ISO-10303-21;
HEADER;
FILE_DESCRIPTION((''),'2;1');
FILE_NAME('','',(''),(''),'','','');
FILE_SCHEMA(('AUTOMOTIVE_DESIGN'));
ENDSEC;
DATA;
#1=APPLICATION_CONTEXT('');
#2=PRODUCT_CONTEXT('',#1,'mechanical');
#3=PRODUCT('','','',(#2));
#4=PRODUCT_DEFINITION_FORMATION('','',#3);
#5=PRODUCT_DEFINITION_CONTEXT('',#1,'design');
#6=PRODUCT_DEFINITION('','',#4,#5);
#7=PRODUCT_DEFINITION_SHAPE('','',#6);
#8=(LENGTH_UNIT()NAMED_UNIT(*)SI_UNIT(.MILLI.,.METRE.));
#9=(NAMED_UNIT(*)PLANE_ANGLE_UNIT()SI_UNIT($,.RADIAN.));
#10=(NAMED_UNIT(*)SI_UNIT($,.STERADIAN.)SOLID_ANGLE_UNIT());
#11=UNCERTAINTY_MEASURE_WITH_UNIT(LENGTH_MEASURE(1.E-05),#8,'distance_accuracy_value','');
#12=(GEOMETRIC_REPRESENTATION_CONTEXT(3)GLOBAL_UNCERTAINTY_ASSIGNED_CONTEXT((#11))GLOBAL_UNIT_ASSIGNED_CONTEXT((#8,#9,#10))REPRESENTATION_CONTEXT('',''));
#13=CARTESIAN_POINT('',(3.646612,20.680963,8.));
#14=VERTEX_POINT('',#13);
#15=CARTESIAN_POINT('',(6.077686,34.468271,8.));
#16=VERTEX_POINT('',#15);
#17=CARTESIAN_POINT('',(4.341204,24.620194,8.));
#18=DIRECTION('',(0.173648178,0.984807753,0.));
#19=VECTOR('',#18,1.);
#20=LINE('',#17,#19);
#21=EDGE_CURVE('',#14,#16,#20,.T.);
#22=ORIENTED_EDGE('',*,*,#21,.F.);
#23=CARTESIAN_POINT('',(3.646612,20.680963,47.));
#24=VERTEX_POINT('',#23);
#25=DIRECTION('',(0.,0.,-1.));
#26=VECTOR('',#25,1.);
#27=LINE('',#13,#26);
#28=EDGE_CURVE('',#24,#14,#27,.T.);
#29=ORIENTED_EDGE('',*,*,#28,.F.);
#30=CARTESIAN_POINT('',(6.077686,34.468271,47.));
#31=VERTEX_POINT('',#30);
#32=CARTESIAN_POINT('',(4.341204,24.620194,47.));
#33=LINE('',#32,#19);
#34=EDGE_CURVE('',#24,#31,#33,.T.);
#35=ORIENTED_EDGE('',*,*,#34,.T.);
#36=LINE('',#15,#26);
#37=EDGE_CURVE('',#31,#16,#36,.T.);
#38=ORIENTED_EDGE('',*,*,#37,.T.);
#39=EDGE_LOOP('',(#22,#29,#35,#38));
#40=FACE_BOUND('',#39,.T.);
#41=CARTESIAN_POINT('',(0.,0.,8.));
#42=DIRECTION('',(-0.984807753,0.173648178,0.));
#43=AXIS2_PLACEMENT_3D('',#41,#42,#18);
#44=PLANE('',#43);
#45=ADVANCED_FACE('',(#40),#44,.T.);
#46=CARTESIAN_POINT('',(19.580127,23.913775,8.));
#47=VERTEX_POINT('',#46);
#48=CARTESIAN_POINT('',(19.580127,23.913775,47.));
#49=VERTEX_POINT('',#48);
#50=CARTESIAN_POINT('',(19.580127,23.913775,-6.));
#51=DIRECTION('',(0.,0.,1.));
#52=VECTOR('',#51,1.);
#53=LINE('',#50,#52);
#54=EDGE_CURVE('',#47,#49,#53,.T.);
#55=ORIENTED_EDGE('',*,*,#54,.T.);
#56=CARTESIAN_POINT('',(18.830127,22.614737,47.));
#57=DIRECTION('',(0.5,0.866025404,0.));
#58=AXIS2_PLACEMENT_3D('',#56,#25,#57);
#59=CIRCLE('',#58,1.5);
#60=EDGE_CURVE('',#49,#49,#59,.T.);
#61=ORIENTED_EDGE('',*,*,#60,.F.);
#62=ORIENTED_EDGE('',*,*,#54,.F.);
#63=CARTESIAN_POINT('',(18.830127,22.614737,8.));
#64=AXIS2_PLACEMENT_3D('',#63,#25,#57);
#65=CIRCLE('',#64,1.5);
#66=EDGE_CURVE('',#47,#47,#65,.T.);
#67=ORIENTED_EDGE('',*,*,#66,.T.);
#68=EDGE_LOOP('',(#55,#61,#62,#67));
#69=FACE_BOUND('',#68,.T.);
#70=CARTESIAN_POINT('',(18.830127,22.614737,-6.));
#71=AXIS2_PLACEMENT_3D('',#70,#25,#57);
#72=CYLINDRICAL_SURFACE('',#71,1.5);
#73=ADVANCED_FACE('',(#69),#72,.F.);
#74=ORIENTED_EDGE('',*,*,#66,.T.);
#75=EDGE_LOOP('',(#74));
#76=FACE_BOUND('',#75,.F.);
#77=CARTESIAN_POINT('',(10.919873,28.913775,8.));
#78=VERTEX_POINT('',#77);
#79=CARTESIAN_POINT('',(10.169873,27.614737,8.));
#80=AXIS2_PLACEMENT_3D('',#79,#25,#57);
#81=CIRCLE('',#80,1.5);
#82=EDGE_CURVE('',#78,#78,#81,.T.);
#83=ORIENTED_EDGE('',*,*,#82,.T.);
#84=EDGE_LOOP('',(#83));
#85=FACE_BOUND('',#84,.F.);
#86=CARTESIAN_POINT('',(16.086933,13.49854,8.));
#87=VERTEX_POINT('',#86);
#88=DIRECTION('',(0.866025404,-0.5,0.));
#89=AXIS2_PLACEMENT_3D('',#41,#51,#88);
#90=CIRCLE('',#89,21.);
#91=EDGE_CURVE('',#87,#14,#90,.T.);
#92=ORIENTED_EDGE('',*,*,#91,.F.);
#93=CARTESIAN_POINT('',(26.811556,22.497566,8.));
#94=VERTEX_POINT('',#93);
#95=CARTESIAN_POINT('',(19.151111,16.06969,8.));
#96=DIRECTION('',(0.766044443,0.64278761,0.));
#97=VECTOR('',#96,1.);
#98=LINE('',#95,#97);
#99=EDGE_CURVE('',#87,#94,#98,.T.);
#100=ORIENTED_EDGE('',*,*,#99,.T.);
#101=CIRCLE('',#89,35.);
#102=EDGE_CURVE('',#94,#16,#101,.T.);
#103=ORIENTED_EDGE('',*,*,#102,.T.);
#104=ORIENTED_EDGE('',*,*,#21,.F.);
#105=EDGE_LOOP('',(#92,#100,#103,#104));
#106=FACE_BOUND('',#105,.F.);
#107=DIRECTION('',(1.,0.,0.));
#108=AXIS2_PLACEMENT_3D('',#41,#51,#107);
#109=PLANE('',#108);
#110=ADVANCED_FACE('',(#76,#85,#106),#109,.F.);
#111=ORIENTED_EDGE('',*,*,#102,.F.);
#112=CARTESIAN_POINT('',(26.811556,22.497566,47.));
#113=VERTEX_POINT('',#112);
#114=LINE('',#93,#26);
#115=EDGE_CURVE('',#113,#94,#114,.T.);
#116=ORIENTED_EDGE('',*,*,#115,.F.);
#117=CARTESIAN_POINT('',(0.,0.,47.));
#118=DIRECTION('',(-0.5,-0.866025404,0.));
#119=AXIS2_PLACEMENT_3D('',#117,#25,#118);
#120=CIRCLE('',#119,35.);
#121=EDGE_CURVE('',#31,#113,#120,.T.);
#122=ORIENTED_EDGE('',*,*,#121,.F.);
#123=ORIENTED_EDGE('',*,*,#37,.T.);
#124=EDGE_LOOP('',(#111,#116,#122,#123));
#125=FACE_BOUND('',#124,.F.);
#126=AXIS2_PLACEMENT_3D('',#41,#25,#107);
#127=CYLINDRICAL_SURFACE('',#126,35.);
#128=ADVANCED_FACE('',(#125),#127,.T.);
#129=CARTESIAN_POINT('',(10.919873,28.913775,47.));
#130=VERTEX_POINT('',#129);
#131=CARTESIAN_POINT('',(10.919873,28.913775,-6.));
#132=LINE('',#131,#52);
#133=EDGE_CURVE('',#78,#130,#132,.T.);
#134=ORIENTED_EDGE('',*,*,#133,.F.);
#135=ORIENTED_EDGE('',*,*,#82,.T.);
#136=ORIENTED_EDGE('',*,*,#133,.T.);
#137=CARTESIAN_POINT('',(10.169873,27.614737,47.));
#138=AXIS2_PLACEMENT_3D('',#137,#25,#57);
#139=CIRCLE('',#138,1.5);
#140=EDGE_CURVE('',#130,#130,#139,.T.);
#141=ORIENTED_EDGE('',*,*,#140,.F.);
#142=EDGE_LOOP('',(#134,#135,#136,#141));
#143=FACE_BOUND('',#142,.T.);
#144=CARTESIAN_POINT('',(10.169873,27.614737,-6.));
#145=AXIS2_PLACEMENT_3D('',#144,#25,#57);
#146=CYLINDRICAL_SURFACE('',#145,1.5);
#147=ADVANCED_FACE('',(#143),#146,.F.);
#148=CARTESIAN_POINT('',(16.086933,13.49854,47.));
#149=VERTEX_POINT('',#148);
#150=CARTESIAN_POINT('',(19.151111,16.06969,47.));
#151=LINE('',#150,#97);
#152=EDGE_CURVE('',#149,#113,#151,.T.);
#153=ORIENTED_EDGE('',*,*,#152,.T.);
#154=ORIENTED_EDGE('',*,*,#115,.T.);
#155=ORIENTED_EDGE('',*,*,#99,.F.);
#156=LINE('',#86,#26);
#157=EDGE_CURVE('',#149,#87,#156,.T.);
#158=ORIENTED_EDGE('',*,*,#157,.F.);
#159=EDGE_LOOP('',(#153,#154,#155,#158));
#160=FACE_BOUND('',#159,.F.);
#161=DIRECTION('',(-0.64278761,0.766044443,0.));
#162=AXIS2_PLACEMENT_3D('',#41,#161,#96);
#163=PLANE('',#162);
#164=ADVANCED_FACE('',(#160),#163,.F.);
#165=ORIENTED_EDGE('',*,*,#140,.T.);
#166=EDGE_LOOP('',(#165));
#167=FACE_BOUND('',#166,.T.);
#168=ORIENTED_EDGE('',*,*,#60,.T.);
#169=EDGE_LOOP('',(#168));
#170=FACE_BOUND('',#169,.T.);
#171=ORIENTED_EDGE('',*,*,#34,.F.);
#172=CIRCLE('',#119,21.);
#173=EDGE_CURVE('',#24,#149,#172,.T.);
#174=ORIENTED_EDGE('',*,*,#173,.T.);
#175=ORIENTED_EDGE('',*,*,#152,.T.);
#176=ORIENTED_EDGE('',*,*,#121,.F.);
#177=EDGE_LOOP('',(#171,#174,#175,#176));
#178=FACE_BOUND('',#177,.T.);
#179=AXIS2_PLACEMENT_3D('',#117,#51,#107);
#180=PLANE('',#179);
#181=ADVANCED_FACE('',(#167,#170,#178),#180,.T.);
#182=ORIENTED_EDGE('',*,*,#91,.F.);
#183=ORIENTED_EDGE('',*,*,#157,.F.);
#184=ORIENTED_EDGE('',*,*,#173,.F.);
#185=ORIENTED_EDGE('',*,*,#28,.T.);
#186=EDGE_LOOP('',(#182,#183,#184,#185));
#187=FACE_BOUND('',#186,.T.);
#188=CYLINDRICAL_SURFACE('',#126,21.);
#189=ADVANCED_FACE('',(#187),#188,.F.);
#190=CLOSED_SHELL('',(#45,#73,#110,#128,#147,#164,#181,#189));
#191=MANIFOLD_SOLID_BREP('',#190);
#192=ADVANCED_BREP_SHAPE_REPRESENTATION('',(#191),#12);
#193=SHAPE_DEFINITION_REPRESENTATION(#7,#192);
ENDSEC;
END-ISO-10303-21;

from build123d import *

# Parameters (mm, degrees)
CYLINDER222_R               = 1.5
CYLINDER222_DEPTH           = 60
CYLINDER221_R               = 1.5
CYLINDER221_DEPTH           = 60
COMPOUND199_PLACEMENT_ANGLE = 60
BOX092_W                    = 50
BOX092_H                    = 50
BOX092_DEPTH                = 39
BOX092_PLACEMENT_ANGLE      = 80
BOX093_W                    = 50
BOX093_H                    = 50
BOX093_DEPTH                = 39
BOX093_PLACEMENT_ANGLE      = 50
BOX095_W                    = 50
BOX095_H                    = 100
BOX095_DEPTH                = 39
BOX095_PLACEMENT_ANGLE      = 150
BOX094_W                    = 50
BOX094_H                    = 100
BOX094_DEPTH                = 39
BOX094_PLACEMENT_ANGLE      = 240
TUBE017_R                   = 35
TUBE017_R_2                 = 21
TUBE017_DEPTH               = 39


with BuildPart() as v_lec222:
    # Cylinder222 → Cylinder222 (new body)
    with BuildSketch(Plane(origin=(29, -5, -6), x_dir=(1, 0, 0), z_dir=(0, 0, 1))):
        Circle(CYLINDER222_R)
    extrude(amount=CYLINDER222_DEPTH)


with BuildPart() as compound199:
    # Cylinder221 → Cylinder221 (new body)
    with BuildSketch(Plane(origin=(29, 5, -6), x_dir=(1, 0, 0), z_dir=(0, 0, 1))):
        Circle(CYLINDER221_R)
    extrude(amount=CYLINDER221_DEPTH)

    # Compound199: union Válec222
    add(v_lec222.part)


with BuildPart() as compound199_1:
    # Compound199 placement: moved
    add(compound199.part.rotate(Axis((0, 0, 0), (0, 0, 1)), COMPOUND199_PLACEMENT_ANGLE))


with BuildPart() as krychle092:
    # Box092 → Box092 (new body)
    with BuildSketch(Plane.XY):
        with Locations((25, 25)):
            Rectangle(BOX092_W, BOX092_H)
    extrude(amount=BOX092_DEPTH)


with BuildPart() as krychle092_1:
    # Box092 placement: moved
    add(krychle092.part.moved(Location((0, 0, 8))).rotate(Axis((0, 0, 8), (0, 0, 1)), BOX092_PLACEMENT_ANGLE))


with BuildPart() as krychle093:
    # Box093 → Box093 (new body)
    with BuildSketch(Plane.XY):
        with Locations((25, 25)):
            Rectangle(BOX093_W, BOX093_H)
    extrude(amount=BOX093_DEPTH)


with BuildPart() as krychle093_1:
    # Box093 placement: moved
    add(krychle093.part.moved(Location((0, 0, 8))).rotate(Axis((0, 0, 8), (0, 0, -1)), BOX093_PLACEMENT_ANGLE))


with BuildPart() as krychle095:
    # Box095 → Box095 (new body)
    with BuildSketch(Plane.XY):
        with Locations((25, 50)):
            Rectangle(BOX095_W, BOX095_H)
    extrude(amount=BOX095_DEPTH)


with BuildPart() as krychle095_1:
    # Box095 placement: moved
    add(krychle095.part.moved(Location((0, 0, 8))).rotate(Axis((0, 0, 8), (0, 0, 1)), BOX095_PLACEMENT_ANGLE))


with BuildPart() as krychle094:
    # Box094 → Box094 (new body)
    with BuildSketch(Plane.XY):
        with Locations((25, 50)):
            Rectangle(BOX094_W, BOX094_H)
    extrude(amount=BOX094_DEPTH)


with BuildPart() as krychle094_1:
    # Box094 placement: moved
    add(krychle094.part.moved(Location((0, 0, 8))).rotate(Axis((0, 0, 8), (0, 0, 1)), BOX094_PLACEMENT_ANGLE))


with BuildPart() as cut106:
    # Tube017 → Tube017 (new body)
    with BuildSketch(Plane.XY.offset(8)):
        Circle(TUBE017_R)
        Circle(TUBE017_R_2, mode=Mode.SUBTRACT)
    extrude(amount=TUBE017_DEPTH)

    # Cut102: cut Krychle094
    add(krychle094_1.part, mode=Mode.SUBTRACT)

    # Cut103: cut Krychle095
    add(krychle095_1.part, mode=Mode.SUBTRACT)

    # Cut104: cut Krychle093
    add(krychle093_1.part, mode=Mode.SUBTRACT)

    # Cut105: cut Krychle092
    add(krychle092_1.part, mode=Mode.SUBTRACT)

    # Cut106: cut Compound199
    add(compound199_1.part, mode=Mode.SUBTRACT)


solid = cut106.part
